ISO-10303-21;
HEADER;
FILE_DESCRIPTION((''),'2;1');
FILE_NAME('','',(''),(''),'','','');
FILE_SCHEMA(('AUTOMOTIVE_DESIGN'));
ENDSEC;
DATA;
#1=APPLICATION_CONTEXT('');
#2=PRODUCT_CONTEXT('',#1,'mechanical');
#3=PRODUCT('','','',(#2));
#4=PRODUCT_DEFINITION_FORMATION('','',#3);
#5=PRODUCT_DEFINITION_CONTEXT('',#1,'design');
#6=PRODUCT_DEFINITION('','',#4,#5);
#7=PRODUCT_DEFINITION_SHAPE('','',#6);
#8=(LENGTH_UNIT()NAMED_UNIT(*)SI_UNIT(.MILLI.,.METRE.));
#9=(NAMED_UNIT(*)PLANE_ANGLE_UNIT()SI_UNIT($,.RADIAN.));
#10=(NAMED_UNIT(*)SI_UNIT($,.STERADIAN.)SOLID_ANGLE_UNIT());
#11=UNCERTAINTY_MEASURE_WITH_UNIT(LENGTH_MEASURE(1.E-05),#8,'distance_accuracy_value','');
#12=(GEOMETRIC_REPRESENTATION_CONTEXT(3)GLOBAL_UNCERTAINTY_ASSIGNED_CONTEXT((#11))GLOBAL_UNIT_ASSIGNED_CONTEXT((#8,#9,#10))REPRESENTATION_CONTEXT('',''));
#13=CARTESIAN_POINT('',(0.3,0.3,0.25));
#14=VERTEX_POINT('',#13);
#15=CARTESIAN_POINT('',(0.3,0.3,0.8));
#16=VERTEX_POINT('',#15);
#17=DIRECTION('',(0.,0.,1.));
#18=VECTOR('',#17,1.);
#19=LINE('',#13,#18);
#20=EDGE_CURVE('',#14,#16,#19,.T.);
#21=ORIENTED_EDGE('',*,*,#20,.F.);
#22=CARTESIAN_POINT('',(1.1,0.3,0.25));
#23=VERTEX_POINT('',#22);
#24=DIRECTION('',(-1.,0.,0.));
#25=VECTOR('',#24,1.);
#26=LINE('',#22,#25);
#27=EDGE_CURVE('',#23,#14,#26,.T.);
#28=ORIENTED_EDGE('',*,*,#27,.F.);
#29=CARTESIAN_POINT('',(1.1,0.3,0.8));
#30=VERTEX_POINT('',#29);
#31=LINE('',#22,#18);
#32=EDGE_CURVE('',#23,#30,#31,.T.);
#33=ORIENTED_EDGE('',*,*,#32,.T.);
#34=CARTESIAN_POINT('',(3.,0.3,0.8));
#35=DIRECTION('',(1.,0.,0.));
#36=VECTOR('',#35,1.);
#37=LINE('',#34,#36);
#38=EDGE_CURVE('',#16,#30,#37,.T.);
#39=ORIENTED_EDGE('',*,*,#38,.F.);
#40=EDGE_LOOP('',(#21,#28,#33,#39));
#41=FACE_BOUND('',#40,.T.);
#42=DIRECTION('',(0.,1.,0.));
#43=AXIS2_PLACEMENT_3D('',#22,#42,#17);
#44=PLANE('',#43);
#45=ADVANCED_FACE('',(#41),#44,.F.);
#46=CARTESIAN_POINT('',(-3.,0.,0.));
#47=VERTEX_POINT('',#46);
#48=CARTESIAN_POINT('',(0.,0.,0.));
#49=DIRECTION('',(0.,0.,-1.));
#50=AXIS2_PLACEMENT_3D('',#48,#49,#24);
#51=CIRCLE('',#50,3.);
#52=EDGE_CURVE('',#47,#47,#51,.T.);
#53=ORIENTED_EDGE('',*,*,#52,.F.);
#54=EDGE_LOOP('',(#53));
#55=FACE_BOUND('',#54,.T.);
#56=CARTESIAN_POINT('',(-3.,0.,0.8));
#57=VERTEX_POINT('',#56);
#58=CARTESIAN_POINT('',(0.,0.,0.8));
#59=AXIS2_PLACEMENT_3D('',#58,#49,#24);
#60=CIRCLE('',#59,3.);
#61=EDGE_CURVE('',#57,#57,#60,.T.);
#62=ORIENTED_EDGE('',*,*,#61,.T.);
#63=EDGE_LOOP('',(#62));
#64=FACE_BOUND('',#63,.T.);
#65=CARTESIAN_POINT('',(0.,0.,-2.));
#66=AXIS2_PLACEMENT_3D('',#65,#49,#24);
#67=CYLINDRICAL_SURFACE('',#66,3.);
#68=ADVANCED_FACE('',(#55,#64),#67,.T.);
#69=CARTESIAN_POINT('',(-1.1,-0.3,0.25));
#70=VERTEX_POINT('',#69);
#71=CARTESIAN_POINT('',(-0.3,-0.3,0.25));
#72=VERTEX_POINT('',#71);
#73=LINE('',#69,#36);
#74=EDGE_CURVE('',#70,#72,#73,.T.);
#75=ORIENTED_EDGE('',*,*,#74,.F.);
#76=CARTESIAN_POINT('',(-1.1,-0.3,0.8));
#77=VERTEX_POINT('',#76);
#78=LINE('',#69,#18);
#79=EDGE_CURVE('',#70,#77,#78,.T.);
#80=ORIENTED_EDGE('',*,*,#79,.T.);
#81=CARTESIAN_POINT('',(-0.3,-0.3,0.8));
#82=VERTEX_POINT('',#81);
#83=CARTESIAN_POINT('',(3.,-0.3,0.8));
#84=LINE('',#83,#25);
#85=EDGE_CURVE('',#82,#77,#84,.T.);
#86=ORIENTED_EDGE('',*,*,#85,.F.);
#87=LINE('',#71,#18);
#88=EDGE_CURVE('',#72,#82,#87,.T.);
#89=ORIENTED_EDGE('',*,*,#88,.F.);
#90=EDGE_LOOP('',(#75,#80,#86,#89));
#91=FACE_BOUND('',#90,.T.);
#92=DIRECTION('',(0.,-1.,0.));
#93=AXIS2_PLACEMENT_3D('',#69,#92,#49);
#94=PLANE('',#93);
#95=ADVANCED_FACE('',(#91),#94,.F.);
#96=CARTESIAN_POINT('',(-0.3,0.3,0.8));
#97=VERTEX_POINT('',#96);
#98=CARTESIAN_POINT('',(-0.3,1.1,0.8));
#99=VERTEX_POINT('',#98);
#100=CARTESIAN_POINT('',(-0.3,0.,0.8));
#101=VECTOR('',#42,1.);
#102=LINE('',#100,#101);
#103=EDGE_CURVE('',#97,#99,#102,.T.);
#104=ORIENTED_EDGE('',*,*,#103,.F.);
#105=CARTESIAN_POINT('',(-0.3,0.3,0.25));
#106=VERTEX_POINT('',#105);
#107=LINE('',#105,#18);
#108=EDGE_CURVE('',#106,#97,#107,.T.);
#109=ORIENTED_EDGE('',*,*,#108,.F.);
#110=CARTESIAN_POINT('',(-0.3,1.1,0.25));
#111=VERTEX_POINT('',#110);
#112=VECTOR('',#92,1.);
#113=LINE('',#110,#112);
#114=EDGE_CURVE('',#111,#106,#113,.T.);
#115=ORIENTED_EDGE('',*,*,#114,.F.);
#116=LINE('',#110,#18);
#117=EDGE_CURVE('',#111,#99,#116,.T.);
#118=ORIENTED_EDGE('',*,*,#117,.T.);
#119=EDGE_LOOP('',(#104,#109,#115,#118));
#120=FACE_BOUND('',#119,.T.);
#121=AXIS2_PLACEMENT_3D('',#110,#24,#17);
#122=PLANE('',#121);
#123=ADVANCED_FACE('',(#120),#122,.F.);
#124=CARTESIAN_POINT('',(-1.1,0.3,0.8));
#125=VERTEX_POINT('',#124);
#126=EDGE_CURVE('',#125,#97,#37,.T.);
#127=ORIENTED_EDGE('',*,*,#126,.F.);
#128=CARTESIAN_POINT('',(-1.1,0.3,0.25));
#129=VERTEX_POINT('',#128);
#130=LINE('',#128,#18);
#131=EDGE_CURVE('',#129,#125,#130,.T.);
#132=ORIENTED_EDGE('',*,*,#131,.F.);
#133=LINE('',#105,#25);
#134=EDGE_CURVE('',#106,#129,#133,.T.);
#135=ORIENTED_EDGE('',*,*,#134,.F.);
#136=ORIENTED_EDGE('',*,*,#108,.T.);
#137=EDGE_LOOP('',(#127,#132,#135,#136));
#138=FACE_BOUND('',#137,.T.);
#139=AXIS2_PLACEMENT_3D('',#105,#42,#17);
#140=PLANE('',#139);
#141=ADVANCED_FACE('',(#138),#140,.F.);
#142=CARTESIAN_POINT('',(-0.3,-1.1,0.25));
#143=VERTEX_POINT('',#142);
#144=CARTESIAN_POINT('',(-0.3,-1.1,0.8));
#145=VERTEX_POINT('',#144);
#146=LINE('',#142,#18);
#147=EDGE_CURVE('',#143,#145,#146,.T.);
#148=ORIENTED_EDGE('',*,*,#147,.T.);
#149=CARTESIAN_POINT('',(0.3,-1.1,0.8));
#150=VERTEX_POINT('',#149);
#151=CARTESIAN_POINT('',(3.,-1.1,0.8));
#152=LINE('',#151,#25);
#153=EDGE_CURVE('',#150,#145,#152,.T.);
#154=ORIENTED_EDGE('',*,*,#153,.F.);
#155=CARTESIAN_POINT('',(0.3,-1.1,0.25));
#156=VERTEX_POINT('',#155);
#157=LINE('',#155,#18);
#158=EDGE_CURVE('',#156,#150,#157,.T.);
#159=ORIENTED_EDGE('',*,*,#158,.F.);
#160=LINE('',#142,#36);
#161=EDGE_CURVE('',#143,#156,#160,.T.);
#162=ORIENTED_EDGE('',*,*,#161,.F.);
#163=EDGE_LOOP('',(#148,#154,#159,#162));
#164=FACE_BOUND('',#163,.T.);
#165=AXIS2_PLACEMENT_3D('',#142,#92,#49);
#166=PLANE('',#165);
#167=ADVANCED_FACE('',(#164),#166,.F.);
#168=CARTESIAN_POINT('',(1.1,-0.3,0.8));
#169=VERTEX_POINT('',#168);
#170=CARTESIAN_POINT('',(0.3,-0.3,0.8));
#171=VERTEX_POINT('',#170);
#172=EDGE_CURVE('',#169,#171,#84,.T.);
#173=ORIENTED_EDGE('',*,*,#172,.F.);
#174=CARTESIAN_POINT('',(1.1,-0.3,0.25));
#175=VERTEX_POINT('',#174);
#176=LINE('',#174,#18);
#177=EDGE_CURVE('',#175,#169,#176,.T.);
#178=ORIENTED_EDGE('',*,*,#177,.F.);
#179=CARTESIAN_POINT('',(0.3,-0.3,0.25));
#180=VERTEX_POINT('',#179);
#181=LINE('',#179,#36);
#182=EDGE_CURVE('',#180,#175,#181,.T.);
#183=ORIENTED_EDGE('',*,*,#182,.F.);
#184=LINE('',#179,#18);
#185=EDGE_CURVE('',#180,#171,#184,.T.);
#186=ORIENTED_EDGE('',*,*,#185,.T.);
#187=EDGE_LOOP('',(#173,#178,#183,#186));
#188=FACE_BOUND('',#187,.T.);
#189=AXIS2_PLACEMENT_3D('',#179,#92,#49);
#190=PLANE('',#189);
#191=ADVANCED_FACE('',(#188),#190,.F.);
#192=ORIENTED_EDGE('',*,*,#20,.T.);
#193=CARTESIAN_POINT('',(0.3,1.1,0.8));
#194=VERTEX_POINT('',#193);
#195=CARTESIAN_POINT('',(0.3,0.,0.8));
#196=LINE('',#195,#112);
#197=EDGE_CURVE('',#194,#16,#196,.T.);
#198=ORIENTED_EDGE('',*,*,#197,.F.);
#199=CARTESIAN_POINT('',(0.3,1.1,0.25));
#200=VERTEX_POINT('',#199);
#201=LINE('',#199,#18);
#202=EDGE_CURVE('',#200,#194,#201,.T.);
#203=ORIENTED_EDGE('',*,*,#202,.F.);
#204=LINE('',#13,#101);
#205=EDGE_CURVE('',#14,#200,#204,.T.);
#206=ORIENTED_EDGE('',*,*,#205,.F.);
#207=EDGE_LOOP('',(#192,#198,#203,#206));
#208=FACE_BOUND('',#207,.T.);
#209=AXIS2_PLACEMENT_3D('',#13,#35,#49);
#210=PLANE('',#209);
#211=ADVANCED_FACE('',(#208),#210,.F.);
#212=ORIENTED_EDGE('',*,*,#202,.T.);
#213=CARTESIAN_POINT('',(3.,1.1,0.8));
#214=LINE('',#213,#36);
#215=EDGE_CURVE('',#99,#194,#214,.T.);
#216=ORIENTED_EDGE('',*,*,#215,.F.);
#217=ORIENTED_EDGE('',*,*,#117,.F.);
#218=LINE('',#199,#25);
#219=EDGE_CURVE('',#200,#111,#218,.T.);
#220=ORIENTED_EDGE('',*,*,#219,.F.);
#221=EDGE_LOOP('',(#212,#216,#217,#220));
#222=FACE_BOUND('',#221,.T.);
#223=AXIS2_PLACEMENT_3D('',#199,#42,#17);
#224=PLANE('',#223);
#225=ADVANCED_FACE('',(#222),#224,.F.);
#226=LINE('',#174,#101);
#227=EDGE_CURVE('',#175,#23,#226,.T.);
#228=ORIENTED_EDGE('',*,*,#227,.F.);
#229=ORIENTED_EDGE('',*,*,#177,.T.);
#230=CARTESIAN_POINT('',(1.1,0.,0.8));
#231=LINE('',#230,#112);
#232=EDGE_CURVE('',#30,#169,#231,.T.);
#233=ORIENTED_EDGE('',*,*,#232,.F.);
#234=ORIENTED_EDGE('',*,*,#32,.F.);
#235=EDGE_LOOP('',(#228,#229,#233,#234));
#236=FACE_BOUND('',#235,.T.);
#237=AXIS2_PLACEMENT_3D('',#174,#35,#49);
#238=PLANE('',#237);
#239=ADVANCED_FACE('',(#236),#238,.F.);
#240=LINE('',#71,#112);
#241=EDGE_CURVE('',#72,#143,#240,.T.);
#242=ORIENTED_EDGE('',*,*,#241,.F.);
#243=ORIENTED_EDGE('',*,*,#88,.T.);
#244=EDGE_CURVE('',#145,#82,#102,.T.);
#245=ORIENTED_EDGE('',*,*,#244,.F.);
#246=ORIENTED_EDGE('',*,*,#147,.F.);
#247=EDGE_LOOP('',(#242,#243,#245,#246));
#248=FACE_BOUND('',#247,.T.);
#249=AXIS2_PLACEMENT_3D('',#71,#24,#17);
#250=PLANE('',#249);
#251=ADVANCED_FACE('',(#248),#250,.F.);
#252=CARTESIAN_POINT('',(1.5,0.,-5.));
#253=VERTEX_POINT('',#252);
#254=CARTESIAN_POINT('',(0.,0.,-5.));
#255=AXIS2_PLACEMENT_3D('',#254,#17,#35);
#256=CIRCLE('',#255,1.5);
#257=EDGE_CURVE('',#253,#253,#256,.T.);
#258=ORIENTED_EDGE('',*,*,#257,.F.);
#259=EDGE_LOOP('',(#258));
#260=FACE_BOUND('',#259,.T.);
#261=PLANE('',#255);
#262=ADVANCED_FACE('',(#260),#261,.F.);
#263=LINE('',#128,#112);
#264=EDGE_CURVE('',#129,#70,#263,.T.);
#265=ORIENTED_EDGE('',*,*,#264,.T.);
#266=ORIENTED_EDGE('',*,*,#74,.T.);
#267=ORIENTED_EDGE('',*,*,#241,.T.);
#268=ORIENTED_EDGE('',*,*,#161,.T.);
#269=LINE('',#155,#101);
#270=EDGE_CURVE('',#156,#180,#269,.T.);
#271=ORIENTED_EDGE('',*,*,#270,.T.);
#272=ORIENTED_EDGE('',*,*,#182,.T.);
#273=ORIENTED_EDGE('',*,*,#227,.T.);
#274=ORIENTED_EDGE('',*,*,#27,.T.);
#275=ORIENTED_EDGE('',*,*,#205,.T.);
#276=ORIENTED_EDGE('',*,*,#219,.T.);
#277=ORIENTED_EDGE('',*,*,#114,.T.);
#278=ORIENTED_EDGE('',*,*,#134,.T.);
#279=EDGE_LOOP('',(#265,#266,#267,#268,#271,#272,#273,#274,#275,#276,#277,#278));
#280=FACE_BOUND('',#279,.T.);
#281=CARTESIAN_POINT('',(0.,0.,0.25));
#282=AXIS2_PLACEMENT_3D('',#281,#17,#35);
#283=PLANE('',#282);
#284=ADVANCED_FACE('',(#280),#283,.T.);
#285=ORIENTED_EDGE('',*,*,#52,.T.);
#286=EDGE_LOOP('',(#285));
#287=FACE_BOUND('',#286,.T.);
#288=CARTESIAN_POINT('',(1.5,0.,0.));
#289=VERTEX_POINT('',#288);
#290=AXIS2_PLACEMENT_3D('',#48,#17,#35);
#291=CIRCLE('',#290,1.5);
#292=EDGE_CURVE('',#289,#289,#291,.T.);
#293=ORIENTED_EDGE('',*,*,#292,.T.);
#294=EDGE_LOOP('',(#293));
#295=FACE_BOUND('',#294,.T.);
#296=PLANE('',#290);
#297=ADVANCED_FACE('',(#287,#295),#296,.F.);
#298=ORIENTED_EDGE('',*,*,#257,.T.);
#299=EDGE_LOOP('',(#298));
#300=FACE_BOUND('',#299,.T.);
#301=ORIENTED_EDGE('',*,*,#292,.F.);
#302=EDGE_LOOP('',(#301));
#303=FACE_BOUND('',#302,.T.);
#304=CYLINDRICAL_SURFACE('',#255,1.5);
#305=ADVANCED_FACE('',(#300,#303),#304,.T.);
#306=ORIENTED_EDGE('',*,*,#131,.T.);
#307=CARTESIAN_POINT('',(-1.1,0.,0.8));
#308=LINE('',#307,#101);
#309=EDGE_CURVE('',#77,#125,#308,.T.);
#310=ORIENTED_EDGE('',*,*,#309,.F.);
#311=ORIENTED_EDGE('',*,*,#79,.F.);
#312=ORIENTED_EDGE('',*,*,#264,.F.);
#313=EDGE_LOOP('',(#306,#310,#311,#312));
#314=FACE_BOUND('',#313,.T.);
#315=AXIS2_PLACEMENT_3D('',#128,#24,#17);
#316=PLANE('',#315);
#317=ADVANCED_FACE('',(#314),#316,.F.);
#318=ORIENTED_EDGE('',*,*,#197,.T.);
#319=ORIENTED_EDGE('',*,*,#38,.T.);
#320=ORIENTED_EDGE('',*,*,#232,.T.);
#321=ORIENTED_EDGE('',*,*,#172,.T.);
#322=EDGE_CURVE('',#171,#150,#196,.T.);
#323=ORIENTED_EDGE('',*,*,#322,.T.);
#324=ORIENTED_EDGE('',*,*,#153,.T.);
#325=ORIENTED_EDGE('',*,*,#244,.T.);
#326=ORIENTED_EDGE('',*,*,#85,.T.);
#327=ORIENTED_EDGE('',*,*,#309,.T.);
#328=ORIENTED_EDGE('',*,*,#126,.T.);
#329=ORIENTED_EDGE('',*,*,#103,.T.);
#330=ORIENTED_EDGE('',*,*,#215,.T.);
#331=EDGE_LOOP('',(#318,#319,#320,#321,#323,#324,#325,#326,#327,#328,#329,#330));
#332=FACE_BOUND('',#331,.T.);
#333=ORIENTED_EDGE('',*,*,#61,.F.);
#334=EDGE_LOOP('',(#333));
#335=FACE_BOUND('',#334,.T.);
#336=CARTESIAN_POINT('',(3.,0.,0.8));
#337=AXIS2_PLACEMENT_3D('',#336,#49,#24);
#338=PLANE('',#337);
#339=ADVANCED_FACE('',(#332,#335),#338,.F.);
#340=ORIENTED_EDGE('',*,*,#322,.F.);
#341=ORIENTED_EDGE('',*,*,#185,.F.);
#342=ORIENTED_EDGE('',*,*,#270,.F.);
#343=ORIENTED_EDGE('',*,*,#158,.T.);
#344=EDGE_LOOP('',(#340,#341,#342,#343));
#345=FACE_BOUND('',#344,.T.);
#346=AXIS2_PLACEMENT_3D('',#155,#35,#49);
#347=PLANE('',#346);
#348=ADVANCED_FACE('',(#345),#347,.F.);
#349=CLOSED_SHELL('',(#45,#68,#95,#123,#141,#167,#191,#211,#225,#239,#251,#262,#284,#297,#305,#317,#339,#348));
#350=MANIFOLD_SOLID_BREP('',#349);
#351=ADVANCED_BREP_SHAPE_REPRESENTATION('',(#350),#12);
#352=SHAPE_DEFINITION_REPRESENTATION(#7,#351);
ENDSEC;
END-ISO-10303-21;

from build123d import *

# Parameters (mm, degrees)
SKETCH_1_R        = 1.5
EXTRUDE_198_DEPTH = 5
SKETCH_6_W        = 3
SKETCH_6_H        = 0.8
PH1_START         = 0.81
PH1_DEPTH         = 0.56


with BuildPart() as part:
    # 草图1 → Extrude 198 (new body)
    with BuildSketch(Plane.XY):
        Circle(SKETCH_1_R)
    extrude(amount=-EXTRUDE_198_DEPTH)

    # 草图6 → Revolve 324 (revolve)
    with BuildSketch(Plane(origin=(0, 0, 0), x_dir=(1, 0, 0), z_dir=(0, 1, 0)), mode=Mode.PRIVATE) as revolve_324_sk:
        with Locations((1.5, -0.4)):
            Rectangle(SKETCH_6_W, SKETCH_6_H)
    revolve(revolve_324_sk.sketch.rotate(Axis((0, 0, -2), (0, 0, 1)), 180), axis=Axis((0, 0, -2), (0, 0, 1)))

    # 草图7 → 十字槽_PH1_简化 (cut)
    with BuildSketch(Plane.XY.offset(PH1_START)):
        Polygon((-0.3, -1.1), (0.3, -1.1), (0.3, -0.3), (1.1, -0.3), (1.1, 0.3), (0.3, 0.3), (0.3, 1.1), (-0.3, 1.1), (-0.3, 0.3), (-1.1, 0.3), (-1.1, -0.3), (-0.3, -0.3), align=None)
    extrude(amount=-PH1_DEPTH, mode=Mode.SUBTRACT)


solid = part.part
